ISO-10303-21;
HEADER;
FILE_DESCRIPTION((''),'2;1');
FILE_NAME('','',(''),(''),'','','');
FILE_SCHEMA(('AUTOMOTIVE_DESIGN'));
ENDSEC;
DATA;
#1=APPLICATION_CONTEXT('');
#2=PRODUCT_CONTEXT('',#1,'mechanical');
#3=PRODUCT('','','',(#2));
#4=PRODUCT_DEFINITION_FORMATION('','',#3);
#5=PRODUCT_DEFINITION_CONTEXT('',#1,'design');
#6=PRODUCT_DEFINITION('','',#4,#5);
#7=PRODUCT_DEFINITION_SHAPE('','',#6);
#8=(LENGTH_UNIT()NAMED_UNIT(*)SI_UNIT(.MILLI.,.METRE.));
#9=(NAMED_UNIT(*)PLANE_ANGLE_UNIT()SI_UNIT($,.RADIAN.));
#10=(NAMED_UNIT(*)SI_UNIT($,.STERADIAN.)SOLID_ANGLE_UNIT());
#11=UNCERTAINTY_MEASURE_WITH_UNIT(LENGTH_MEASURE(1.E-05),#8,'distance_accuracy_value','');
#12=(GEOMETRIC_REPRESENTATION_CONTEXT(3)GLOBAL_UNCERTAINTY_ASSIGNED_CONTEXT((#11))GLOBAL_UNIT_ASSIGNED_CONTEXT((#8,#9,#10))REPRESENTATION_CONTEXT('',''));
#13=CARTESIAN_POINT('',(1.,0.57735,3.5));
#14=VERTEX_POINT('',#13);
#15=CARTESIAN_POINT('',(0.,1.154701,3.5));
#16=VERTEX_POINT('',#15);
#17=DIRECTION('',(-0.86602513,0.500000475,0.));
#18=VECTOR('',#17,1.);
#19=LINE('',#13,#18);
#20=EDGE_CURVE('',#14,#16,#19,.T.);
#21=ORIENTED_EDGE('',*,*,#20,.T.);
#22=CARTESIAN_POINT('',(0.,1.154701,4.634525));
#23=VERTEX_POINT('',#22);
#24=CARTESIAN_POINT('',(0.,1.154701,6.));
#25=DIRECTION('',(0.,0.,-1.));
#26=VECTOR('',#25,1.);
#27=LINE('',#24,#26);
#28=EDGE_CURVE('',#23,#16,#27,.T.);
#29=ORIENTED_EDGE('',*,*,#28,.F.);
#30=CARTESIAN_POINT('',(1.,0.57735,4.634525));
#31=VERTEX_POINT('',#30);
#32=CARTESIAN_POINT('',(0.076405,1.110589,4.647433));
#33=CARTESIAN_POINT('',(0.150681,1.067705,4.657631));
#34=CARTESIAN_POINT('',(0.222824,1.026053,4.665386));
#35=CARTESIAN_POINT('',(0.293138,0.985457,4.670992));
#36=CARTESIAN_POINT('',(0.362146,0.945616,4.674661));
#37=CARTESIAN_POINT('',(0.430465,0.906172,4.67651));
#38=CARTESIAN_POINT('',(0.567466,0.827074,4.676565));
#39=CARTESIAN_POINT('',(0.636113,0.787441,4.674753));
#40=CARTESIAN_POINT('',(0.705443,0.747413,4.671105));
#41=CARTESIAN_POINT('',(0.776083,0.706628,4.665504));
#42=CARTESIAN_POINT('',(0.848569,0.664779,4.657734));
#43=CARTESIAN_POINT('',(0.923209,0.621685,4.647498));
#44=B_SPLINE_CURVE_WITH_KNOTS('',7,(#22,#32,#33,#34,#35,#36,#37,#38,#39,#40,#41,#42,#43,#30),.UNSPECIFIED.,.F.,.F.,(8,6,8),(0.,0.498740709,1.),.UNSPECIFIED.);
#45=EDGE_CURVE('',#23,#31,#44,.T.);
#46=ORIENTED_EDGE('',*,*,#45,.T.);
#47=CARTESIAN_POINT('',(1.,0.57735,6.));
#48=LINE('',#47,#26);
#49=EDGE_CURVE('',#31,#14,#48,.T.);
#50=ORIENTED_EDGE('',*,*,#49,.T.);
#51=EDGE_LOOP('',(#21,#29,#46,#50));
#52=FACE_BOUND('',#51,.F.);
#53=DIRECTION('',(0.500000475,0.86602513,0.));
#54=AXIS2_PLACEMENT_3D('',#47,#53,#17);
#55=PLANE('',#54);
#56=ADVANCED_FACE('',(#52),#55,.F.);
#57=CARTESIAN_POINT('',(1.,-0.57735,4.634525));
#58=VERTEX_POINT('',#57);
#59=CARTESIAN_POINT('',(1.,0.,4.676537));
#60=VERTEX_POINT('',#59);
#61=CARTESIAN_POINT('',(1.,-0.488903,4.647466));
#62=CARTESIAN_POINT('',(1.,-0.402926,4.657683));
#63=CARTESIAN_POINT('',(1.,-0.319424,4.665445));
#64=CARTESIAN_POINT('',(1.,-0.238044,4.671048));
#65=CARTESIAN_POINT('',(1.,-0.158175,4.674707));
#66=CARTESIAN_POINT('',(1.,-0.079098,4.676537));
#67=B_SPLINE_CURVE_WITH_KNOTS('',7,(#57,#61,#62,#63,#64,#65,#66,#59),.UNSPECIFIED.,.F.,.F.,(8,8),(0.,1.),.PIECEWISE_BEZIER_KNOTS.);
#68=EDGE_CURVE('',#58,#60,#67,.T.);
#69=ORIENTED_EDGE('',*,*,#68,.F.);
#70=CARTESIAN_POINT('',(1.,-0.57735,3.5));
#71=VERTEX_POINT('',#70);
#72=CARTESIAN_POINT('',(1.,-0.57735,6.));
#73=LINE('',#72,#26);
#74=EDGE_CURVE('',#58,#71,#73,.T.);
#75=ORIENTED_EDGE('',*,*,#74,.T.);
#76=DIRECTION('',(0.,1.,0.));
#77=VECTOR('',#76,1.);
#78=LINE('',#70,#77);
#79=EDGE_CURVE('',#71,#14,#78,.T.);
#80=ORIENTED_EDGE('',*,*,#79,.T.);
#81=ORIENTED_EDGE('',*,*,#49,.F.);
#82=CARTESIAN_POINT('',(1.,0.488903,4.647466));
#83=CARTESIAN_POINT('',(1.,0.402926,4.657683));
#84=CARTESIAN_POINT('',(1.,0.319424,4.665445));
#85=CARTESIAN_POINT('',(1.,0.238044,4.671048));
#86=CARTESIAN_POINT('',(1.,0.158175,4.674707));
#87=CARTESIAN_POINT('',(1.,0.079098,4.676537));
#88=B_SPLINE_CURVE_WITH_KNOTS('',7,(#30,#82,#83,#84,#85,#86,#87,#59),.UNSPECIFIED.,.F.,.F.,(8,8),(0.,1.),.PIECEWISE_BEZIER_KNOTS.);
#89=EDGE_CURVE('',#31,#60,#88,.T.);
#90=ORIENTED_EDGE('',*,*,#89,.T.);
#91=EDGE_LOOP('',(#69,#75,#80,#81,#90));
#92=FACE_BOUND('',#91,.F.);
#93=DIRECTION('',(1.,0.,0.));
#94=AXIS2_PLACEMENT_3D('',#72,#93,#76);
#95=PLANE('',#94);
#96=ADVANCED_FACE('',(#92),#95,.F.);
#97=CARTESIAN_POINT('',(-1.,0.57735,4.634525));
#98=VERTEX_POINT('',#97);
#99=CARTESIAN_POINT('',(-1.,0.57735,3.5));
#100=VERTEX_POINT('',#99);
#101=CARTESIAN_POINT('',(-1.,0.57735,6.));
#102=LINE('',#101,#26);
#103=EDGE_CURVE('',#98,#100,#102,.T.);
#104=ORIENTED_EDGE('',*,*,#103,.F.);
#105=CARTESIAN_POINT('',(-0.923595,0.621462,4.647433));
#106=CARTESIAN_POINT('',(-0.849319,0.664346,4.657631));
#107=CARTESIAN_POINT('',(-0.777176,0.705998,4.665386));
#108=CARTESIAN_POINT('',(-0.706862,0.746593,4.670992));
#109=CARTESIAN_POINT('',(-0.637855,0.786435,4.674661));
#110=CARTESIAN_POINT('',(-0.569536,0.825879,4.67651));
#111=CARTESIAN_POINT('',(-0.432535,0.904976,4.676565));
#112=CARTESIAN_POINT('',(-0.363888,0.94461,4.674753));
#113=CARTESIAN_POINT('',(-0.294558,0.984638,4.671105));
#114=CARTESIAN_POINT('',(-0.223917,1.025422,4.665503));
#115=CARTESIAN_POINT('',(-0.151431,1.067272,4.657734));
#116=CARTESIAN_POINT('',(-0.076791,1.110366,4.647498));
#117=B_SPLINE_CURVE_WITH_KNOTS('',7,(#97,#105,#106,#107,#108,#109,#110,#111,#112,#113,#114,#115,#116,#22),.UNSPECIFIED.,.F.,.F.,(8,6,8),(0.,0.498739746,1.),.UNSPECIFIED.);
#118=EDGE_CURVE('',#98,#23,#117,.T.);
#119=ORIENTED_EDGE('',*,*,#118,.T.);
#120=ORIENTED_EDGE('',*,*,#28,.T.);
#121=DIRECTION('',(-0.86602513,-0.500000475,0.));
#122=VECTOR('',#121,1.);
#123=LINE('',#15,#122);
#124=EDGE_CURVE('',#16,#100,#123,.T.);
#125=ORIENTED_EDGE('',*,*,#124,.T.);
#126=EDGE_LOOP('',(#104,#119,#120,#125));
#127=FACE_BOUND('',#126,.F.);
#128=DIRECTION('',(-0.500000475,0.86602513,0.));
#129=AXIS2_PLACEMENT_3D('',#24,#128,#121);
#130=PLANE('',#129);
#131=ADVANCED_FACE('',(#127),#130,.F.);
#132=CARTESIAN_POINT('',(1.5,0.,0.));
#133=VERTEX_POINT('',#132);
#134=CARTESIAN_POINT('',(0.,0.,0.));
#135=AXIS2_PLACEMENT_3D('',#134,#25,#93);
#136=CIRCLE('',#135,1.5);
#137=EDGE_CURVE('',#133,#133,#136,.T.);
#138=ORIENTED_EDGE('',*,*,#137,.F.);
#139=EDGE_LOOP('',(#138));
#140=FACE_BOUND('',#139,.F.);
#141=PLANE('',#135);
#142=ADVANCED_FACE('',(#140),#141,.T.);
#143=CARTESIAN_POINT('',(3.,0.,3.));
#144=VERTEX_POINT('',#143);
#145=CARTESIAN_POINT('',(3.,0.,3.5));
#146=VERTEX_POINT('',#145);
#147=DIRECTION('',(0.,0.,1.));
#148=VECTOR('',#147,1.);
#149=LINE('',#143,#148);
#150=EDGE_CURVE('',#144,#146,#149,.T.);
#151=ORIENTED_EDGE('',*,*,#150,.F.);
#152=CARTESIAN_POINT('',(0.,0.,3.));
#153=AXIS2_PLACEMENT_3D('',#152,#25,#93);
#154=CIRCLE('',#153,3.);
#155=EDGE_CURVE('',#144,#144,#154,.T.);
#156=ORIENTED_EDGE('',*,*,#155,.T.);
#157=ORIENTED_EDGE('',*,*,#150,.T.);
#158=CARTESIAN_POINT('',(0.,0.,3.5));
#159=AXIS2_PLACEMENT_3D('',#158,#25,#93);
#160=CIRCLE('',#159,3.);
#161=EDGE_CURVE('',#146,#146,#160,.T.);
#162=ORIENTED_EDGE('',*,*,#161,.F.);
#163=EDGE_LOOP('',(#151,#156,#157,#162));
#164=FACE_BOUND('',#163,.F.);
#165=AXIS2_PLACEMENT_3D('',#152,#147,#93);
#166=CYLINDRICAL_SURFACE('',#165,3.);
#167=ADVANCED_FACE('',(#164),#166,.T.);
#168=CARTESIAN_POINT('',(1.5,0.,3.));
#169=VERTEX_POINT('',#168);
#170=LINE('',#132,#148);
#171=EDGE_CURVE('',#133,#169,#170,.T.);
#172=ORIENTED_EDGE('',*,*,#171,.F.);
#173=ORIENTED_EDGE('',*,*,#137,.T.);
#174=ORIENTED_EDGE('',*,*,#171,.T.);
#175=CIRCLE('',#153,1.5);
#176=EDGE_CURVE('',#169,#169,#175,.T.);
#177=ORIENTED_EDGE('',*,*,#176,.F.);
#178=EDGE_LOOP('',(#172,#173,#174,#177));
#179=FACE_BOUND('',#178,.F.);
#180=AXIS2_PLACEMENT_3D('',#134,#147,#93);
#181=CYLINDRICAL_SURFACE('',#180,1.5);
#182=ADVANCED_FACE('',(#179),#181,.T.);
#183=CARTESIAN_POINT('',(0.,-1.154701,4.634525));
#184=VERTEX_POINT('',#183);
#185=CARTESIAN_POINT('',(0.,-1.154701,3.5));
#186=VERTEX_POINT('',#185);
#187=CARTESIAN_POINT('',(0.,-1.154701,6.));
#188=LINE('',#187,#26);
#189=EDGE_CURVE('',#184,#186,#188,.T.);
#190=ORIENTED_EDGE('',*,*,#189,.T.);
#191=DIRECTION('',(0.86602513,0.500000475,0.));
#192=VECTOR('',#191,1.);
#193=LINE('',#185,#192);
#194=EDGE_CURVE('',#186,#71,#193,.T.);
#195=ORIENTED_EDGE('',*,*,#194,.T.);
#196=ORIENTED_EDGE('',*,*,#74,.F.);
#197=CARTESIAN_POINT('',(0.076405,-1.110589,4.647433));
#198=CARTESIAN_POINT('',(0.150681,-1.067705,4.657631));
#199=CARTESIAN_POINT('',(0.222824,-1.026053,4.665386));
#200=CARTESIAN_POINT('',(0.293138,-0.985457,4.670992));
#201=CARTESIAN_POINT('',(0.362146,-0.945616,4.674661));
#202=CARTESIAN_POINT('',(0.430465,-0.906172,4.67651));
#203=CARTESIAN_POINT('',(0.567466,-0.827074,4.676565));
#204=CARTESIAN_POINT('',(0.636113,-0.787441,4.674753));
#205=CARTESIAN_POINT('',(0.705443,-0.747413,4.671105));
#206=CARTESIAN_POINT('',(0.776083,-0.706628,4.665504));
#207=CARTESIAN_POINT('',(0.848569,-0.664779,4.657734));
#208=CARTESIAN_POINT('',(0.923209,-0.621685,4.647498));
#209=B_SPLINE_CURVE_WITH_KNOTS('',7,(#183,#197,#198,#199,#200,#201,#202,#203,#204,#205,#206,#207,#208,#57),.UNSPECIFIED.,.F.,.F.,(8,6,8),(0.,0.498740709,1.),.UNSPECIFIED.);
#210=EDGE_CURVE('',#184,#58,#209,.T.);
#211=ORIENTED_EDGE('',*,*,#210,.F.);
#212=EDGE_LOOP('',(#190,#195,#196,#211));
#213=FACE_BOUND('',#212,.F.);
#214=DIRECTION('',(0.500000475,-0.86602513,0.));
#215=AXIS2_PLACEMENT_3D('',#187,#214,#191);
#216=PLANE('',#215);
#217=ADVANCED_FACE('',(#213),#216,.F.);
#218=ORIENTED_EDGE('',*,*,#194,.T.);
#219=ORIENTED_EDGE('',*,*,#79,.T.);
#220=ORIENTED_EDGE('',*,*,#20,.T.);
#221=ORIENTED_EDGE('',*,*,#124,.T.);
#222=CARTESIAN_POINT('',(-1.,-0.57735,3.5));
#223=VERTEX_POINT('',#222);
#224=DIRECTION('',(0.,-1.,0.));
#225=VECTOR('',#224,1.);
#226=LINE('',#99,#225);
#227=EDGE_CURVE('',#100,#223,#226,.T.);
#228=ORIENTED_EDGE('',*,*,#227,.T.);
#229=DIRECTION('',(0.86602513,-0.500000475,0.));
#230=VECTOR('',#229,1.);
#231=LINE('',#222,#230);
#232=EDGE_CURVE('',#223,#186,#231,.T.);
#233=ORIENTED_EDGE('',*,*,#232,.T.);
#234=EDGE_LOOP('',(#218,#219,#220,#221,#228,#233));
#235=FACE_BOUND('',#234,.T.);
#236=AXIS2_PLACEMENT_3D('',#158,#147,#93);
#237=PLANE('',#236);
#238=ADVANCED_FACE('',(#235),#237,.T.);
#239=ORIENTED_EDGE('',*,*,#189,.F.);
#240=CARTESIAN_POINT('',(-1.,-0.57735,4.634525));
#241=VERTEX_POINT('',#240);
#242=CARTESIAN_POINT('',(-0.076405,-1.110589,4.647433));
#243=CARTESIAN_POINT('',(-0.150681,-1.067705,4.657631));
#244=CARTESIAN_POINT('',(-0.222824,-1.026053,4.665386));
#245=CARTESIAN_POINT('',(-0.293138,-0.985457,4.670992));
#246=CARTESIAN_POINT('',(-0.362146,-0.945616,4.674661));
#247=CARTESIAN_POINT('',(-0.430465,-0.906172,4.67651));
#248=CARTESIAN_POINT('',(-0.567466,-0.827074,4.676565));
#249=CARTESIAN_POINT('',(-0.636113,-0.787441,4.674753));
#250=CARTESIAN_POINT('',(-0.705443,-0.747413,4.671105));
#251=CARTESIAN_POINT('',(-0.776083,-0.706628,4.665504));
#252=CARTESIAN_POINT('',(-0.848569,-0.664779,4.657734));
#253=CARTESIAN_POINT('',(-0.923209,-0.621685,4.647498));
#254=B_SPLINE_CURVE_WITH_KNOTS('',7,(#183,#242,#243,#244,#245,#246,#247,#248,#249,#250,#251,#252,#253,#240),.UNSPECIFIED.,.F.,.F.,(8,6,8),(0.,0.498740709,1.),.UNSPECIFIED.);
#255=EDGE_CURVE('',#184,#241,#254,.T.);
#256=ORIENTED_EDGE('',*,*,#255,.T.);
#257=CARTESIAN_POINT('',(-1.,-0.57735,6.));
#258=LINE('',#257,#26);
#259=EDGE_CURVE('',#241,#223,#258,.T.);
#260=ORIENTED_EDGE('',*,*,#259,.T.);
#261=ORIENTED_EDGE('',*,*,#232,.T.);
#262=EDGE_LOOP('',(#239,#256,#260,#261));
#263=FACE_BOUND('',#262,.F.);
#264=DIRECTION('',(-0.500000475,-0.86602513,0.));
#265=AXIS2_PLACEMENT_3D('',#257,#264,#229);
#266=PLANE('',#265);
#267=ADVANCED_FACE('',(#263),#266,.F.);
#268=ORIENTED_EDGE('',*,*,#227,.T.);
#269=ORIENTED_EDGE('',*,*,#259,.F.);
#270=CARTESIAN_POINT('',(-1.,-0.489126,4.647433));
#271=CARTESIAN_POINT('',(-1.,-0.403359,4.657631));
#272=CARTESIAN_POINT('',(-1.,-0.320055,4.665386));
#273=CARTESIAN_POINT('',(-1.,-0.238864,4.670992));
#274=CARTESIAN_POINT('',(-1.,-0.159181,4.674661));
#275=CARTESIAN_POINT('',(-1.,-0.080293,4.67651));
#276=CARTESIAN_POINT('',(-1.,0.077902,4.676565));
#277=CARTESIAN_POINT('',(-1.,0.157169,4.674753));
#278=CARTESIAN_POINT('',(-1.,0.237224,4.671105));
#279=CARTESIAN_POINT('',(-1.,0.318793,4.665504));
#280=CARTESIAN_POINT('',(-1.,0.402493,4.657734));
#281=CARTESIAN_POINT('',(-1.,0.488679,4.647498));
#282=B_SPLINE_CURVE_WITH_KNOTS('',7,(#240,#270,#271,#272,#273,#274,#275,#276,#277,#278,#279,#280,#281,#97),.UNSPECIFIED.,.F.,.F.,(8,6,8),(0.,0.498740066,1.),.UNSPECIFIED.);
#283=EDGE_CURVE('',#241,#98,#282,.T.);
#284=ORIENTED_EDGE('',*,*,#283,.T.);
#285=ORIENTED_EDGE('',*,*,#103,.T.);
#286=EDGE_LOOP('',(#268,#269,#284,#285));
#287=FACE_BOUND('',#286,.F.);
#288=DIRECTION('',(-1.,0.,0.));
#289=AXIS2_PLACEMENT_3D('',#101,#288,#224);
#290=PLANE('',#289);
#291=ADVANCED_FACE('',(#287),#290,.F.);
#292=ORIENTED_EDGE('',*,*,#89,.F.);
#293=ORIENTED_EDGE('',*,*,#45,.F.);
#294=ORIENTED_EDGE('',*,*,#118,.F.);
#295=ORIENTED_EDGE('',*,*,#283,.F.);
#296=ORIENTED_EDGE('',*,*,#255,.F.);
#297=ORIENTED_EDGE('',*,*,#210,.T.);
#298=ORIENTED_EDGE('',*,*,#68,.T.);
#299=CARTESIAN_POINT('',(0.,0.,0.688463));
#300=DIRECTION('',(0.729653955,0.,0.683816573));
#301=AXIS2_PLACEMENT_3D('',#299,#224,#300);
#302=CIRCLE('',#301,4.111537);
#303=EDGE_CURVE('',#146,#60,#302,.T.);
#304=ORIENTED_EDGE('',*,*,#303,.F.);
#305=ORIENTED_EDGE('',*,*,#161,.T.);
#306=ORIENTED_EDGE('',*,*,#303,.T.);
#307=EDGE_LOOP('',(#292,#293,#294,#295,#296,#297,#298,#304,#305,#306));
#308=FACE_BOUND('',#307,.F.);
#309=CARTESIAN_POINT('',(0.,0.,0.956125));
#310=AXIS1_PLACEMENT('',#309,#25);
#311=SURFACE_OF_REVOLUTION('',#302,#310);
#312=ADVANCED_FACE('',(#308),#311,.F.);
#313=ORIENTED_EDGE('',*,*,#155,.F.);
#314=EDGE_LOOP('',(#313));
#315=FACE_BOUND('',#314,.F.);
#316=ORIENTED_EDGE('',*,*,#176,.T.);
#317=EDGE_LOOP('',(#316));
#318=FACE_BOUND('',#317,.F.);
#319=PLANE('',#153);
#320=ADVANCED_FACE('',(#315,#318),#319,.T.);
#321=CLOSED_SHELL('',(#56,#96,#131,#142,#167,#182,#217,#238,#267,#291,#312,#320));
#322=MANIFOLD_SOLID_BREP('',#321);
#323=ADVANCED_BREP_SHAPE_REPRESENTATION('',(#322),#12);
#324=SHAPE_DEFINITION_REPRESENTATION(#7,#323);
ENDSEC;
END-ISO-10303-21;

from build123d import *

# Parameters (mm, degrees)
F4_DEPTH = 2.5


with BuildPart() as f1:
    # F0 (on Front) → F1 (revolve)
    with BuildSketch(Plane.XZ):
        with BuildLine():
            Line((0, 4.8), (0, 0))
            Line((0, 0), (1.5, 0))
            Line((1.5, 0), (1.5, 3))
            Line((1.5, 3), (3, 3))
            Line((3, 3), (3, 3.5))
            ThreePointArc((3, 3.5), (1.634778, 4.461027), (0, 4.8))
        make_face()
    revolve(axis=Axis((0, 0, 0.956125), (0, 0, -1)))

    # F3 (on offset) → F4 (cut)
    with BuildSketch(Plane.XY.offset(6)):
        Polygon((1, -0.57735), (1, 0.57735), (0, 1.154701), (-1, 0.57735), (-1, -0.57735), (0, -1.154701), align=None)
    extrude(amount=-F4_DEPTH, mode=Mode.SUBTRACT)


solid = f1.part
